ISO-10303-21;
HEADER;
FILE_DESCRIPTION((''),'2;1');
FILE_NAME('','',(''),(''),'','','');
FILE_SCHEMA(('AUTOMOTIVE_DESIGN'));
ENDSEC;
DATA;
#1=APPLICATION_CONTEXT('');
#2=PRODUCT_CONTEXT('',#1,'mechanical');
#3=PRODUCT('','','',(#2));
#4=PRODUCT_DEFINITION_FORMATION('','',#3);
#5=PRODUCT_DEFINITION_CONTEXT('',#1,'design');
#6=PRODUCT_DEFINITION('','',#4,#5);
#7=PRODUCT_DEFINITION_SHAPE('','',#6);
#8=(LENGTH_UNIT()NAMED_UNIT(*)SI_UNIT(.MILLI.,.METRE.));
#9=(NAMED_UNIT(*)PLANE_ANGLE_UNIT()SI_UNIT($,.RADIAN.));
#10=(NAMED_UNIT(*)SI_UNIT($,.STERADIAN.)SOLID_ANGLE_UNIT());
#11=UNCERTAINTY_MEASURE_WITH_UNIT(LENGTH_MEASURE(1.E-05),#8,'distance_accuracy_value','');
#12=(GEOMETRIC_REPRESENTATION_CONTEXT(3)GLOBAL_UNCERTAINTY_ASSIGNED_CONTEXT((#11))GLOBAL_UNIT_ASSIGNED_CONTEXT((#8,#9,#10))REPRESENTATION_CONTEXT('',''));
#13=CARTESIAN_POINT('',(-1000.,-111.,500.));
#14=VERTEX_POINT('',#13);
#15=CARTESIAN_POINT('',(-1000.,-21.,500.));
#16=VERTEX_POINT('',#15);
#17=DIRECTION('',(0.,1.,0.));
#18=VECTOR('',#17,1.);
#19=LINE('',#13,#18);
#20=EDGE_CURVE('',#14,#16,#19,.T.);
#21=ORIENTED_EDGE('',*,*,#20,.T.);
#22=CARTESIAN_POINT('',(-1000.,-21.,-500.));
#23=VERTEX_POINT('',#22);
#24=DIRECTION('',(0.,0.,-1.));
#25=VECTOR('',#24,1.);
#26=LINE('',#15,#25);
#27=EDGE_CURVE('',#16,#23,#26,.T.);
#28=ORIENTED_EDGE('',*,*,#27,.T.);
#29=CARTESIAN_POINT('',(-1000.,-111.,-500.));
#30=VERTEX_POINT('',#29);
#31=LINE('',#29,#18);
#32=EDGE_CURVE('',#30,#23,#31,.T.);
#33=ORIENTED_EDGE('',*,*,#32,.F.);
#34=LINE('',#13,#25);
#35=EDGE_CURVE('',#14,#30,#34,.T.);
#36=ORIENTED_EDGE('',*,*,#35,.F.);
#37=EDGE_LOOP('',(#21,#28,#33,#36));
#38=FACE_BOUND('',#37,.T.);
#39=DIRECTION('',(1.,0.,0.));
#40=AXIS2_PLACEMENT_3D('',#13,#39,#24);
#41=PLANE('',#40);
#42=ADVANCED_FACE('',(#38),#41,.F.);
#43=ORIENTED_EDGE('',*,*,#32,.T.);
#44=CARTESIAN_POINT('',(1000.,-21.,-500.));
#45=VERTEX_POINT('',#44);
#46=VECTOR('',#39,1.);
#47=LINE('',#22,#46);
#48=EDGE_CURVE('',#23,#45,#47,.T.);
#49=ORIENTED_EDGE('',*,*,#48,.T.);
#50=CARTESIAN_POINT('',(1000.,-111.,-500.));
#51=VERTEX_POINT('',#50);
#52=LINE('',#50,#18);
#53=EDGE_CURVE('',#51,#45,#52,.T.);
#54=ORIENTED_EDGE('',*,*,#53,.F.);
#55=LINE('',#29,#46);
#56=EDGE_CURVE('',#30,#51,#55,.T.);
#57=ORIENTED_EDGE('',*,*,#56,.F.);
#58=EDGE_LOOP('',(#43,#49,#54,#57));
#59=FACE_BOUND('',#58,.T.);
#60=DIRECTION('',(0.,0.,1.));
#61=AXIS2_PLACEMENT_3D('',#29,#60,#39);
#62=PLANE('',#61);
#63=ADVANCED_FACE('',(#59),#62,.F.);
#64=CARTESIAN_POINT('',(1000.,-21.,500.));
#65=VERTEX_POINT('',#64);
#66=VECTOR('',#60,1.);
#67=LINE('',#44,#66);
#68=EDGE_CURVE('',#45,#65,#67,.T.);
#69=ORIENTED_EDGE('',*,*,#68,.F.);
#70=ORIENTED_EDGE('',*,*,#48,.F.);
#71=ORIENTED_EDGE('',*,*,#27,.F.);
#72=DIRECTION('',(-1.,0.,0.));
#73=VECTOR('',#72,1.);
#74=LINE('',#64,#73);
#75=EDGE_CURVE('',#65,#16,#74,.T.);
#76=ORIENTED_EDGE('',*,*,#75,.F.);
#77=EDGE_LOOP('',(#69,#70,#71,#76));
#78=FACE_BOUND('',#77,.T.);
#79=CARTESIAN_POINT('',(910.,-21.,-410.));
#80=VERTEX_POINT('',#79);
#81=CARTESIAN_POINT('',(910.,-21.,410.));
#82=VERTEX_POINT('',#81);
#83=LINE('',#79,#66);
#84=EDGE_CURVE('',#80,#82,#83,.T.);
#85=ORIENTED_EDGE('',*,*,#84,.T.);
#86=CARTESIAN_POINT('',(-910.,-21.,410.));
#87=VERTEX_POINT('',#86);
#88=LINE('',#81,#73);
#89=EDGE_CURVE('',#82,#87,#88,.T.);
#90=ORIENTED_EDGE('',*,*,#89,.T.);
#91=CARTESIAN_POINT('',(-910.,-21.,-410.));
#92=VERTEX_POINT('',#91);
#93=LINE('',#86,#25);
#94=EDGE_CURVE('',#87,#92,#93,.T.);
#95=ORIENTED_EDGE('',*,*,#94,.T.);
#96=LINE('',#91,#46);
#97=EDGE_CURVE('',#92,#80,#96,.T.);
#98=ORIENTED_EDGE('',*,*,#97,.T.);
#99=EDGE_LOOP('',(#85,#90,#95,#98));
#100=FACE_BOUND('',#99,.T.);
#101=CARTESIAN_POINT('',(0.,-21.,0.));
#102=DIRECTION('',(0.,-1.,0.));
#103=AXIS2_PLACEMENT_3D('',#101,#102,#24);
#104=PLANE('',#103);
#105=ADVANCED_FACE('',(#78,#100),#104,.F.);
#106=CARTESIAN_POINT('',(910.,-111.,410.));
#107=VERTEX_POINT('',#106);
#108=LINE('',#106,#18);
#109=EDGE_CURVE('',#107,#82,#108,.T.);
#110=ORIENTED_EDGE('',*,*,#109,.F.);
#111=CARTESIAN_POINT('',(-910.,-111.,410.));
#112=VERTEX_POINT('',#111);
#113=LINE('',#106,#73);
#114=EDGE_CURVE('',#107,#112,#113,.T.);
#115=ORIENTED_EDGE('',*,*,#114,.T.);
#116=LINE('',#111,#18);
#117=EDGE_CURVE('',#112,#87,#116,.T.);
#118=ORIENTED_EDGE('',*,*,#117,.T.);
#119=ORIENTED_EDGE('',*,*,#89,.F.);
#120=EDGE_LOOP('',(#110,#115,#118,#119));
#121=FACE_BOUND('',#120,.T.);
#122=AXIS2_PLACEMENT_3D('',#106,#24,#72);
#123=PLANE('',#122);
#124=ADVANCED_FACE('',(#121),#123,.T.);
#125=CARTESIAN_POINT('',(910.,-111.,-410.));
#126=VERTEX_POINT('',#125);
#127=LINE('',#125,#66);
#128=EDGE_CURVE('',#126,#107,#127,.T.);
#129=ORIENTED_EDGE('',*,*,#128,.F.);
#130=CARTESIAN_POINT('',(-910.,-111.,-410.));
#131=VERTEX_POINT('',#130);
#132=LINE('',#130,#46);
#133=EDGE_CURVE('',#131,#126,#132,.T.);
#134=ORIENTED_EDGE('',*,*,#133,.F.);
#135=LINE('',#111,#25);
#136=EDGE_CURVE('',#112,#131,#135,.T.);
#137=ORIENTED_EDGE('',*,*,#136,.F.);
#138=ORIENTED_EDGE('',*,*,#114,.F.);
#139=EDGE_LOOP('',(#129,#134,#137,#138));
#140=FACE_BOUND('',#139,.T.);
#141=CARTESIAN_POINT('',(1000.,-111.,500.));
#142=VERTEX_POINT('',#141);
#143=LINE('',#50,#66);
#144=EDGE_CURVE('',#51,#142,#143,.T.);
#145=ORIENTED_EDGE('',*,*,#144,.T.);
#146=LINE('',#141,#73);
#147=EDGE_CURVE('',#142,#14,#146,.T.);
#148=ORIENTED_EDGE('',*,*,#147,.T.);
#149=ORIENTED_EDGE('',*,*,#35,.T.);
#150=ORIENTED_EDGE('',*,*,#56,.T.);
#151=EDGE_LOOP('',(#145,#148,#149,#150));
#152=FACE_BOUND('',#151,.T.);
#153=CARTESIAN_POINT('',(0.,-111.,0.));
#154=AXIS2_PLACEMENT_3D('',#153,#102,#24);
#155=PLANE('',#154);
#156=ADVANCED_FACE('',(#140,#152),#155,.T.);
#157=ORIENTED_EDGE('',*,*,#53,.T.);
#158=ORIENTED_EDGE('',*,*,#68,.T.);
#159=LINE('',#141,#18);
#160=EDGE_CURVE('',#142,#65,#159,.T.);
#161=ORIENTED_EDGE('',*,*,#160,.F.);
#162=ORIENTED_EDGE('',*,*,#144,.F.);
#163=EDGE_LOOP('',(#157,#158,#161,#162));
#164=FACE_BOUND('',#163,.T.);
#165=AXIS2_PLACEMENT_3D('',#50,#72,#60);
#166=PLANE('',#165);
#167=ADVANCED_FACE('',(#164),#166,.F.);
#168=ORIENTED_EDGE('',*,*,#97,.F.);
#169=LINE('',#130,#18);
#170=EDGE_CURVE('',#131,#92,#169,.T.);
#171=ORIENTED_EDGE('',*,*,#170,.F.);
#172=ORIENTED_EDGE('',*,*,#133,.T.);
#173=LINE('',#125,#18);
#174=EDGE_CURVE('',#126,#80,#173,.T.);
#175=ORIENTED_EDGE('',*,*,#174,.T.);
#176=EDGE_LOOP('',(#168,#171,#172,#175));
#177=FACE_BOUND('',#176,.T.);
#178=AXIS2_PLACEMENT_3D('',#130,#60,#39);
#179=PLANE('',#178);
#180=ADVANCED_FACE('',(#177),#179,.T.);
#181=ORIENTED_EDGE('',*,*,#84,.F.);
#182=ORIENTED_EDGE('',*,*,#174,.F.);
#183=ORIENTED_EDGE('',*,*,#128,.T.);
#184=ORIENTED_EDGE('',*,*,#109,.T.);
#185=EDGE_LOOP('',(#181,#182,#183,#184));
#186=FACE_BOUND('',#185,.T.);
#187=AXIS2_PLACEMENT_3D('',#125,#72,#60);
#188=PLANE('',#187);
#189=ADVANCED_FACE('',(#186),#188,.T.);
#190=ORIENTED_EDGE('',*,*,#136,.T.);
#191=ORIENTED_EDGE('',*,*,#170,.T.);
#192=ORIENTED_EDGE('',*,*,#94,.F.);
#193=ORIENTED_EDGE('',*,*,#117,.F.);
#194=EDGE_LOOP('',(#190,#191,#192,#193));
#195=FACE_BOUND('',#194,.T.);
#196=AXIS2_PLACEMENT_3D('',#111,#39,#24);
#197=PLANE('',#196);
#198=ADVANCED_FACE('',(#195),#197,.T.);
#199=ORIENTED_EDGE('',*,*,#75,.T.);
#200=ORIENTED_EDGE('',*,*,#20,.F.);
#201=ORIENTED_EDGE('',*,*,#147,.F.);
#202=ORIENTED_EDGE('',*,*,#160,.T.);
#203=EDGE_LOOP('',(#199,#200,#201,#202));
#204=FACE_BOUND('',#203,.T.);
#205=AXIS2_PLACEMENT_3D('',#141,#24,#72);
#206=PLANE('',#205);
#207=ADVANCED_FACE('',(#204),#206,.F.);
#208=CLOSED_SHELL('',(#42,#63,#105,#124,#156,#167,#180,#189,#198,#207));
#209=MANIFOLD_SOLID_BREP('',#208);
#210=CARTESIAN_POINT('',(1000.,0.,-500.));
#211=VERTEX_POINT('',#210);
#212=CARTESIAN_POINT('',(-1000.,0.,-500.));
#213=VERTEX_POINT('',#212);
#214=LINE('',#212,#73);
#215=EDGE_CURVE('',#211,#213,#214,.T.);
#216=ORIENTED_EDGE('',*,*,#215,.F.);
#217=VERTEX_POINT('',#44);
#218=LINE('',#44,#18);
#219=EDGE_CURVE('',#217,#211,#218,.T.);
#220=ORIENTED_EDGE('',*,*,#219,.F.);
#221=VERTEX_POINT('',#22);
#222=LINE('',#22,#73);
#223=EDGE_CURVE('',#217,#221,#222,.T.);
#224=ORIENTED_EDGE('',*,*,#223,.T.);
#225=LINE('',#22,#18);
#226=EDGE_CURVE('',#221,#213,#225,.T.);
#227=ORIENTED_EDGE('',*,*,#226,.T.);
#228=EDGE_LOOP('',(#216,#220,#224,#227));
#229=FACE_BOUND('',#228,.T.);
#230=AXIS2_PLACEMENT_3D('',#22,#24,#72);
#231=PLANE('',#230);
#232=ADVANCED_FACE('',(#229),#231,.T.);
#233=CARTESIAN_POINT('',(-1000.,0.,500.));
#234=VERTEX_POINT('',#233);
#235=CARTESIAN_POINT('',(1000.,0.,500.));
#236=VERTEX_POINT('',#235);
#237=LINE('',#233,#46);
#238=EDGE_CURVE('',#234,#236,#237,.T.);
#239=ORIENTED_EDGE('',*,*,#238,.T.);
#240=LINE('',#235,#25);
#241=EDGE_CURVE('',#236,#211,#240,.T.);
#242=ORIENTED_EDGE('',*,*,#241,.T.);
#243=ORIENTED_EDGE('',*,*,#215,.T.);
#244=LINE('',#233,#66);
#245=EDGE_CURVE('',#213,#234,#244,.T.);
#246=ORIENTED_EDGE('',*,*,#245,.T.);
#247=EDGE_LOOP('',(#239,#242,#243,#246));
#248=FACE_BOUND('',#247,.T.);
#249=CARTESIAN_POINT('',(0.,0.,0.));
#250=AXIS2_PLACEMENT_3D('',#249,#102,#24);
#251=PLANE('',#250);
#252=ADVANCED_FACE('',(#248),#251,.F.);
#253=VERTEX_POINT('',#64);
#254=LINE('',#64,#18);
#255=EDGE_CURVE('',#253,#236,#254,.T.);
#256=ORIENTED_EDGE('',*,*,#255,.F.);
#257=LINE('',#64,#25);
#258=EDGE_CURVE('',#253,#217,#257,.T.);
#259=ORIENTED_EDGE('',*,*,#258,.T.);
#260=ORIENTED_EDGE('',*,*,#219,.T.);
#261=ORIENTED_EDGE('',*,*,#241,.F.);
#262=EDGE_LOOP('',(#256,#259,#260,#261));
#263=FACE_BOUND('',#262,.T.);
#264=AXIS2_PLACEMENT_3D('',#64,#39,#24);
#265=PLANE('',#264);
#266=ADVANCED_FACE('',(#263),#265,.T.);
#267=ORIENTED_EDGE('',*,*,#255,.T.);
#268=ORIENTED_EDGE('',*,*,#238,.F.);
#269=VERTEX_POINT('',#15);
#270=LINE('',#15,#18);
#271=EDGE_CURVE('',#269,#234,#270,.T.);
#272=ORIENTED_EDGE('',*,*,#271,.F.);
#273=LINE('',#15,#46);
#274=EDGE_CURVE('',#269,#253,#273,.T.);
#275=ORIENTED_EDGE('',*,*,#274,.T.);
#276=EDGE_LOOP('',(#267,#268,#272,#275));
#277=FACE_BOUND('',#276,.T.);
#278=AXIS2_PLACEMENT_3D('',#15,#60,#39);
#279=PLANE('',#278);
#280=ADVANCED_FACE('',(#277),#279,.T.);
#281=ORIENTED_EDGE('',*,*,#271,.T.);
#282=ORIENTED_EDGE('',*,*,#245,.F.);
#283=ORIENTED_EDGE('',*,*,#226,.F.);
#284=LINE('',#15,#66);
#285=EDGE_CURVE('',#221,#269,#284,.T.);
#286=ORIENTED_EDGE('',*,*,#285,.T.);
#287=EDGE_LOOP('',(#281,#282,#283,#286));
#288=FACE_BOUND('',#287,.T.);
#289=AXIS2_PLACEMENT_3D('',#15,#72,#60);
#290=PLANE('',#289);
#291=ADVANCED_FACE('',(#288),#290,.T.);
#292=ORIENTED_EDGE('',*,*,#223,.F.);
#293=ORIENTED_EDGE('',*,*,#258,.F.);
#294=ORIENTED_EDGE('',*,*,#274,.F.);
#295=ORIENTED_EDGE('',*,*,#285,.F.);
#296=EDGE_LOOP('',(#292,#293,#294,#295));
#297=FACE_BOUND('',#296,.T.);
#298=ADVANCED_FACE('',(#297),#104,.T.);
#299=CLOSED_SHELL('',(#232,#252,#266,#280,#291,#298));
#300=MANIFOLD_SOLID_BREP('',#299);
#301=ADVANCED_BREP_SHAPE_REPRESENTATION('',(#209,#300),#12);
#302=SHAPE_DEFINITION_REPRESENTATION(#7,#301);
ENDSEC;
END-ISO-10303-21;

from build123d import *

# Parameters (mm, degrees)
SKIZZE1_W                       = 2000
SKIZZE1_H                       = 1000
AUFSATZ_LINEAR_AUSTRAGEN2_DEPTH = 21
SKIZZE3_W                       = 2000
SKIZZE3_H                       = 1000
SKIZZE3_W_2                     = 1820
SKIZZE3_H_2                     = 820
AUFSATZ_LINEAR_AUSTRAGEN3_DEPTH = 90


with BuildPart() as part:
    # Skizze1 → Aufsatz-Linear austragen2 (new body)
    with BuildSketch(Plane(origin=(0, 0, 0), x_dir=(1, 0, 0), z_dir=(0, 1, 0))):
        Rectangle(SKIZZE1_W, SKIZZE1_H)
    extrude(amount=-AUFSATZ_LINEAR_AUSTRAGEN2_DEPTH)


with BuildPart() as body_2:
    # Skizze3 → Aufsatz-Linear austragen3 (new body)
    with BuildSketch(Plane.XZ.offset(21)):
        Rectangle(SKIZZE3_W, SKIZZE3_H)
        Rectangle(SKIZZE3_W_2, SKIZZE3_H_2, mode=Mode.SUBTRACT)
    extrude(amount=AUFSATZ_LINEAR_AUSTRAGEN3_DEPTH)


solid = Compound([part.part, body_2.part])
